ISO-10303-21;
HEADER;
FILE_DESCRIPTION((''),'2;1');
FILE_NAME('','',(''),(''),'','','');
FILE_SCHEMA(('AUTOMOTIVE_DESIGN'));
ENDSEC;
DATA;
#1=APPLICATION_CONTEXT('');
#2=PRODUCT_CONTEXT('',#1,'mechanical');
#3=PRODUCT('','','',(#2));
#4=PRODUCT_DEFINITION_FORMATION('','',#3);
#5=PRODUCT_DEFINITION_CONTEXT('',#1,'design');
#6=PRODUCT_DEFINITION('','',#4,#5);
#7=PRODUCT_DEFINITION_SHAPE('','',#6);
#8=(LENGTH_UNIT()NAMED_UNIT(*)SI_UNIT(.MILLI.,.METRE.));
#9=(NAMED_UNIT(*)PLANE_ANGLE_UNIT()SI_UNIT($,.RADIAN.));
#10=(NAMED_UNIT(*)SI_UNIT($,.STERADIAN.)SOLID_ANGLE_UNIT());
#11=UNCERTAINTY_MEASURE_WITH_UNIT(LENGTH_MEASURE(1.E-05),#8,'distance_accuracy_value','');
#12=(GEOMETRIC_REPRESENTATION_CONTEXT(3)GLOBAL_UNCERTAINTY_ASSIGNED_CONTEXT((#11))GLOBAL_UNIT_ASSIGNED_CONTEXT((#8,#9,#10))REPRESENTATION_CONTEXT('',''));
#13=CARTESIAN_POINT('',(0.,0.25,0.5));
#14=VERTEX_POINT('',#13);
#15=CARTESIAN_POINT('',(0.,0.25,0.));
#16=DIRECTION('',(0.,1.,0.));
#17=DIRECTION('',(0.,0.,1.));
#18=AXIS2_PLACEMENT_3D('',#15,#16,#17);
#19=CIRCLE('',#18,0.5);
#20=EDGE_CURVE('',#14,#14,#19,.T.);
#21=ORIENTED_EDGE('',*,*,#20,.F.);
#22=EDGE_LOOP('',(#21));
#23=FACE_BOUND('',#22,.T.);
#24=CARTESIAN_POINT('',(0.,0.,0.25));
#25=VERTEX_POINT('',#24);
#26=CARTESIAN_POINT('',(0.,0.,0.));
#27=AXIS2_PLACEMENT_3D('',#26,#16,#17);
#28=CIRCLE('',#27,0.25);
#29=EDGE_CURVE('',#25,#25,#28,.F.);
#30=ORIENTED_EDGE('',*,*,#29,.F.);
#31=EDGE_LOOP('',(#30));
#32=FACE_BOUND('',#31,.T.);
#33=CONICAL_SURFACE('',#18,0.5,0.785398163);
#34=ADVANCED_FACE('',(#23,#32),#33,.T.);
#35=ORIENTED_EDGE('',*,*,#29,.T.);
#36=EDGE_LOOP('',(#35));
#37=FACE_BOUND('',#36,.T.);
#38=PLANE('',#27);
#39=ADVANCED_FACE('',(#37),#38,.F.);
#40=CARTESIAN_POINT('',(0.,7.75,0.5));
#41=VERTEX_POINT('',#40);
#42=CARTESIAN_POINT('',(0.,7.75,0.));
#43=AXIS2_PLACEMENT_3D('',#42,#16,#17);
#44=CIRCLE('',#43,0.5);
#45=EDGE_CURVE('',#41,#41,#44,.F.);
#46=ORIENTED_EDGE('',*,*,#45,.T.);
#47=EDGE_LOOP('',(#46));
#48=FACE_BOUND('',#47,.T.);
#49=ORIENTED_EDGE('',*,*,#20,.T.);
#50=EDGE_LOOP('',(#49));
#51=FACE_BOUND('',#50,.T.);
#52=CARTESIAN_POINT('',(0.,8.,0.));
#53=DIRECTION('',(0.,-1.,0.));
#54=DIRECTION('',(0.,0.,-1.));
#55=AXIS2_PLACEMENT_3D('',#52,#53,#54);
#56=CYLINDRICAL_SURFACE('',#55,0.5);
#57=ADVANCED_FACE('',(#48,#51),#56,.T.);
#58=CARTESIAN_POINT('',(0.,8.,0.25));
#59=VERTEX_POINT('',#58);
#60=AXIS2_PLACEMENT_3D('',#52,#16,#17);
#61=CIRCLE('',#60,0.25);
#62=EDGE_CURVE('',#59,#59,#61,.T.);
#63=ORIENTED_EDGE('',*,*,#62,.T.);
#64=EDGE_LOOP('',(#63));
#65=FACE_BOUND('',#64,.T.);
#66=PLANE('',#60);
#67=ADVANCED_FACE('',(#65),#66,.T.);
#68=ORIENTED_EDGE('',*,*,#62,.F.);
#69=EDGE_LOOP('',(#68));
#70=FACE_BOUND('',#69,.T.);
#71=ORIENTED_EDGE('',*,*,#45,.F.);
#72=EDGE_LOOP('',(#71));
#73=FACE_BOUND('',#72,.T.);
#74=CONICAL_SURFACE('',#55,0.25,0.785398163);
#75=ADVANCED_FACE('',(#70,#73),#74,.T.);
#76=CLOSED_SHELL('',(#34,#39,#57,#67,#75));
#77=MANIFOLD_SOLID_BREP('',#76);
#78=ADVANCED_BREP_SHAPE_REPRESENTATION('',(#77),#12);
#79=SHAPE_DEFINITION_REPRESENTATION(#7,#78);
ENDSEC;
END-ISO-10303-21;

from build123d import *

# Parameters (mm, degrees)
SKETCH1_R           = 0.5
BOSS_EXTRUDE1_DEPTH = 8
CHAMFER1_SIZE       = 0.25


with BuildPart() as part:
    # Sketch1 → Boss-Extrude1 (new body)
    with BuildSketch(Plane(origin=(0, 0, 0), x_dir=(1, 0, 0), z_dir=(0, 1, 0))):
        Circle(SKETCH1_R)
    extrude(amount=BOSS_EXTRUDE1_DEPTH)

    # Chamfer1
    chamfer1_edges = [part.edges().sort_by_distance(p)[0] for p in [
        (-0.5, 0, 0),
        (-0.5, 8, 0),
    ]]
    chamfer(chamfer1_edges, length=CHAMFER1_SIZE)


solid = part.part
